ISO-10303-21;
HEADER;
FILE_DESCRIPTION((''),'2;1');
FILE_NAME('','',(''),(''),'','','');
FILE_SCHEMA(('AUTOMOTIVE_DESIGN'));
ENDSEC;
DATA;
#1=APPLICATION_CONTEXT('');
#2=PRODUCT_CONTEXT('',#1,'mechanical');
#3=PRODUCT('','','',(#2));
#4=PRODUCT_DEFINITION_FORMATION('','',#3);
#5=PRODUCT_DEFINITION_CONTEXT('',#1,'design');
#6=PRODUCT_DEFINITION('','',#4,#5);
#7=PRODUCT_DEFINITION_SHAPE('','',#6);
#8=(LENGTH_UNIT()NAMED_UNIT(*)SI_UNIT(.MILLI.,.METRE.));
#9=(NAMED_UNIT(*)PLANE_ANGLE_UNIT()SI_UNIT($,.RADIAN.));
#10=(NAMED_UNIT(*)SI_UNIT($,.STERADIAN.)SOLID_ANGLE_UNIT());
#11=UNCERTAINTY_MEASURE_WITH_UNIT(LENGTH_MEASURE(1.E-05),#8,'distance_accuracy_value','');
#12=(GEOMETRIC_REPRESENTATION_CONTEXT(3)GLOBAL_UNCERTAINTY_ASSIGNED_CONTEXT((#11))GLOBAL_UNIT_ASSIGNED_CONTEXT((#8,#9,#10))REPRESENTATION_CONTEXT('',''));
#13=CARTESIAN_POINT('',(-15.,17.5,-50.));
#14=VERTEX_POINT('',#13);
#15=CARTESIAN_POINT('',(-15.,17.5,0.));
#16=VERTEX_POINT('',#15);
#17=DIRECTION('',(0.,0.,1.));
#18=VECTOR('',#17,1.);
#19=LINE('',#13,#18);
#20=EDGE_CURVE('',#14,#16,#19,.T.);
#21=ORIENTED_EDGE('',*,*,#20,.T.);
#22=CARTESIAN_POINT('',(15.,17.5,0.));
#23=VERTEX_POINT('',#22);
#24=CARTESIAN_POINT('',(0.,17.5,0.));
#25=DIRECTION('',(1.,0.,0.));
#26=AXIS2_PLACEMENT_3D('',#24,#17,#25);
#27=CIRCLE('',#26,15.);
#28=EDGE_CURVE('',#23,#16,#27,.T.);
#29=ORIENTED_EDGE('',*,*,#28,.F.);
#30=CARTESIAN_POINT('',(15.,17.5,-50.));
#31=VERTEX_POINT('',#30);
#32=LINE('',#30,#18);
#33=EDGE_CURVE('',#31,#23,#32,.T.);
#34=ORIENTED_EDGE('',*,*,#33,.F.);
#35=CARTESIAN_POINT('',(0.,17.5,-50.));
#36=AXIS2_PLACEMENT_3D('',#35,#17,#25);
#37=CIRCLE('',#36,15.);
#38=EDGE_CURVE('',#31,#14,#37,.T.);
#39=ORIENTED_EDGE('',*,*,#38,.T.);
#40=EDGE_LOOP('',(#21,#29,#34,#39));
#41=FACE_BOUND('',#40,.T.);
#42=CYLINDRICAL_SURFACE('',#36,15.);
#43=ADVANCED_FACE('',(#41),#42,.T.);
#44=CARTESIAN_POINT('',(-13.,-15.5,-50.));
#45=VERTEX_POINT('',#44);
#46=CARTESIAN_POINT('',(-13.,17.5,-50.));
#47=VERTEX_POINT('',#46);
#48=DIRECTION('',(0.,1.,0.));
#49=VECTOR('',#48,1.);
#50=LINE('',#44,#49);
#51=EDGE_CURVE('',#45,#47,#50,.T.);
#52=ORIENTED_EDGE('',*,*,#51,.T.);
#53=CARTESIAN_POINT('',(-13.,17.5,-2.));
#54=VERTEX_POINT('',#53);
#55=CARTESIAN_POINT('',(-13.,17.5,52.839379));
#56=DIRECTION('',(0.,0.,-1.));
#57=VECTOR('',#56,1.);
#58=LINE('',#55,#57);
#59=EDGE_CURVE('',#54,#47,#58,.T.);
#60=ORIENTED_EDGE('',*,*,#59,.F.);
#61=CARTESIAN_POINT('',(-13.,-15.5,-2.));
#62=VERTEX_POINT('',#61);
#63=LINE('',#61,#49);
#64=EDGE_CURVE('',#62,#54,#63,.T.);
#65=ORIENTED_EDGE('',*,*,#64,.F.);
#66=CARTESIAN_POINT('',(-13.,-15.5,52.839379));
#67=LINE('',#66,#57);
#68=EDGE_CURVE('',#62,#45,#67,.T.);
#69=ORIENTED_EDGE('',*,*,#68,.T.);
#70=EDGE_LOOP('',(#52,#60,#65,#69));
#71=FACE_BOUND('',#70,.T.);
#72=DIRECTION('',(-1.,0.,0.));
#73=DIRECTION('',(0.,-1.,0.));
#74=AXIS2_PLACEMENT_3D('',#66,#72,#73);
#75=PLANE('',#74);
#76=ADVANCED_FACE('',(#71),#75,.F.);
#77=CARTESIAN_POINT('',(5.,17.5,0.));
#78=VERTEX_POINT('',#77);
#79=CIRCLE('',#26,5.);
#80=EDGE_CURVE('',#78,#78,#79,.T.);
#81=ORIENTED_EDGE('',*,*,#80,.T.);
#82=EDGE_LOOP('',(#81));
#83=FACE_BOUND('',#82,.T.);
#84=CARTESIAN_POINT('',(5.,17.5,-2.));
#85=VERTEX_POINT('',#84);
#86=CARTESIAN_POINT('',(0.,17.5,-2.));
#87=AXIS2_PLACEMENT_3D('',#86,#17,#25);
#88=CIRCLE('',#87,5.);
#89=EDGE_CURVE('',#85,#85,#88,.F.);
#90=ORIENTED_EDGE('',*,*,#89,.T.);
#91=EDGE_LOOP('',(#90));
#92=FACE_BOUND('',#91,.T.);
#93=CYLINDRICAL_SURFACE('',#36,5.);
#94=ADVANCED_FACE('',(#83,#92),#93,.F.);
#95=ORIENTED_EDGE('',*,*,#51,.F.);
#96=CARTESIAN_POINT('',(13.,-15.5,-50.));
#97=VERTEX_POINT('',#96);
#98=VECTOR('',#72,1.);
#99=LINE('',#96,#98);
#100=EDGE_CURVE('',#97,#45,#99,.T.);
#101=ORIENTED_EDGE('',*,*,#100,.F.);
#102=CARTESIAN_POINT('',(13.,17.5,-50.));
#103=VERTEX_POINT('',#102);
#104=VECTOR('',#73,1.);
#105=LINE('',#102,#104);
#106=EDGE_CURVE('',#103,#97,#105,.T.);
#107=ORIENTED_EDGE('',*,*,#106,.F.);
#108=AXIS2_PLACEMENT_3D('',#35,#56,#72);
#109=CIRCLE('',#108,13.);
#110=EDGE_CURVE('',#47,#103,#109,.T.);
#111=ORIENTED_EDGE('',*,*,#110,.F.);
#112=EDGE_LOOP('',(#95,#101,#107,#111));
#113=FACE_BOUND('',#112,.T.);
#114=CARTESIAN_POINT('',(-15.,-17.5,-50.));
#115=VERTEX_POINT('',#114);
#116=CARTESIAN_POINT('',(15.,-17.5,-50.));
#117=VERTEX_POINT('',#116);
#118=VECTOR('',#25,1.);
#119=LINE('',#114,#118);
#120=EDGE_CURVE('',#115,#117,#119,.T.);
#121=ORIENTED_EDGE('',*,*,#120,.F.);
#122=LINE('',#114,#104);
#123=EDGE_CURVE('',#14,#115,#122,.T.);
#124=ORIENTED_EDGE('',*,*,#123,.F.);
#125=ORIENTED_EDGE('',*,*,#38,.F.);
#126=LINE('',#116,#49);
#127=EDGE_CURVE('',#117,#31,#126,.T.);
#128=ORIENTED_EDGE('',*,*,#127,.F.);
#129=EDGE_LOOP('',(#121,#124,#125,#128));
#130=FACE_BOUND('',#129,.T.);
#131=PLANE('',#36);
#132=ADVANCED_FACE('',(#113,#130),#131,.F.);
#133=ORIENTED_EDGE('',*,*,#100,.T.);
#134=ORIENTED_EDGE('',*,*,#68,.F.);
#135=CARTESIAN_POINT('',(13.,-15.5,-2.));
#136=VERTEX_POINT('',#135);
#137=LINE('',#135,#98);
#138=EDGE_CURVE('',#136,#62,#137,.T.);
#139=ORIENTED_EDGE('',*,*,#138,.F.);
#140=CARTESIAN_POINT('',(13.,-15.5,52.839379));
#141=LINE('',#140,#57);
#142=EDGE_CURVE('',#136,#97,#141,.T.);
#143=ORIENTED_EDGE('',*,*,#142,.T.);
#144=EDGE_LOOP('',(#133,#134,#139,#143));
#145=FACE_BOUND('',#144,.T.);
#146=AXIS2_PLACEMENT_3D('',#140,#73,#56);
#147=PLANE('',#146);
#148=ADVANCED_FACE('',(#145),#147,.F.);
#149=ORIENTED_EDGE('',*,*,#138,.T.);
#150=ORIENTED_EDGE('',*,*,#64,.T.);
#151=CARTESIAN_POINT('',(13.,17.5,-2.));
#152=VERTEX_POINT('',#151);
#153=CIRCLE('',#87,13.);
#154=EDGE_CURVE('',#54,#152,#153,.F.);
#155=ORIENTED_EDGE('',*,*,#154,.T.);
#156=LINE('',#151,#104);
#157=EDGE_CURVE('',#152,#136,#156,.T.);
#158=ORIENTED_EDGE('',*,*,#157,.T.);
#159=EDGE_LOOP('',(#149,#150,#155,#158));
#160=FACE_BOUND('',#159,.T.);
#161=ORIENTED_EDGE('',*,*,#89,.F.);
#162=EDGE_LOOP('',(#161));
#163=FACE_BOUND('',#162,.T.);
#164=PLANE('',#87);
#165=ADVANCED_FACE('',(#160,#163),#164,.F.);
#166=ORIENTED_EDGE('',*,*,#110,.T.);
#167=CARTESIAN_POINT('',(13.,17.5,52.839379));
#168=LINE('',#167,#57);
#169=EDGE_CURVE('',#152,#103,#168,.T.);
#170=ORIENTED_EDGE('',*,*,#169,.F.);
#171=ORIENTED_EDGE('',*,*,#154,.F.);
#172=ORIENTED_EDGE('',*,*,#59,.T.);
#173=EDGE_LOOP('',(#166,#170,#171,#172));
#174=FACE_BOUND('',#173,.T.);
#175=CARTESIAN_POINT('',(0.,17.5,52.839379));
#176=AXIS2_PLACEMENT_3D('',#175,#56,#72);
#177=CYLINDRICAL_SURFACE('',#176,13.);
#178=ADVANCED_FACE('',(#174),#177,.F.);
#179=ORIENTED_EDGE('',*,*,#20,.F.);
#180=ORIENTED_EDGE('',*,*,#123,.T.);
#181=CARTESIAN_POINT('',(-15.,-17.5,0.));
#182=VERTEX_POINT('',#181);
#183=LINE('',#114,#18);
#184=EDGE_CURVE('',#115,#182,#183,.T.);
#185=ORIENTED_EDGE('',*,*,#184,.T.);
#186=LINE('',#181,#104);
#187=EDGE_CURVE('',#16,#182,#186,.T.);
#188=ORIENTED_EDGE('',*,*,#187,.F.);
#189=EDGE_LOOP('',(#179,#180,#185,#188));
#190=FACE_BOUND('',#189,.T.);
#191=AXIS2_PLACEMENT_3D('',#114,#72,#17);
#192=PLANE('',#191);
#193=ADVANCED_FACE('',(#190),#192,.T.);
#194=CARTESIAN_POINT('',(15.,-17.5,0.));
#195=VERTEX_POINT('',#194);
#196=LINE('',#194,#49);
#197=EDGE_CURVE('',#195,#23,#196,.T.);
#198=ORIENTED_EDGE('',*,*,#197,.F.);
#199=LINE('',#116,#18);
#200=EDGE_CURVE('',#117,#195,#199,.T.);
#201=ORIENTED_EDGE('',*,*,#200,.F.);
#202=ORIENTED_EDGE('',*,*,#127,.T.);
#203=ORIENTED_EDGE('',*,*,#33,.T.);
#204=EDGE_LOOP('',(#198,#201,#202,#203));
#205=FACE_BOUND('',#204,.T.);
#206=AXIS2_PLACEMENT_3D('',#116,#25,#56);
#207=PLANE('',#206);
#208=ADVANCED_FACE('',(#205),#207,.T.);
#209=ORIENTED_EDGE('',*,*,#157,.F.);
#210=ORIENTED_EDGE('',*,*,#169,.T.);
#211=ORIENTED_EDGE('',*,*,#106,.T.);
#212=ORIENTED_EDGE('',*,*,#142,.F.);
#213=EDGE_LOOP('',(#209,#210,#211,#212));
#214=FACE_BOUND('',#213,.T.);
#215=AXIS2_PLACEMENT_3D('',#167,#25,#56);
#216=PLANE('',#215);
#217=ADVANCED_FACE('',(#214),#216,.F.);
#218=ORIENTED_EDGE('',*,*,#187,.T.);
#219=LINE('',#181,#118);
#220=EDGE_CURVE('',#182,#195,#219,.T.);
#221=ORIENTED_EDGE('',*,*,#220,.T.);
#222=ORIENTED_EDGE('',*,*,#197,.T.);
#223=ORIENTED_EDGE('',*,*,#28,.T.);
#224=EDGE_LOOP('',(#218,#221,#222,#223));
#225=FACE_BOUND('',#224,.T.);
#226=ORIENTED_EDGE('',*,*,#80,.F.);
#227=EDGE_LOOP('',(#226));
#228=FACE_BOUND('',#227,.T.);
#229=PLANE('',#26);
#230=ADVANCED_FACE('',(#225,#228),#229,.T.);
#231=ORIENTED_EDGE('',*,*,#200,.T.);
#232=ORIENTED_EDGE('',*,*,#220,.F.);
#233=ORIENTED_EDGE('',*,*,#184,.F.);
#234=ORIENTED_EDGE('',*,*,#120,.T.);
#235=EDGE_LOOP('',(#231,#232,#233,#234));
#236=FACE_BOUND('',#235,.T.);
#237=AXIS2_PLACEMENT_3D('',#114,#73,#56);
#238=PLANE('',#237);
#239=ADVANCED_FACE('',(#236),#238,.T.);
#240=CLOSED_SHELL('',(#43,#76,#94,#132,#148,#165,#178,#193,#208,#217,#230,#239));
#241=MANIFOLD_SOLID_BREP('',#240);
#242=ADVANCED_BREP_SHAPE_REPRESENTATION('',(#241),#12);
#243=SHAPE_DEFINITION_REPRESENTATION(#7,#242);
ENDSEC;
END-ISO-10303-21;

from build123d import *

# Parameters (mm, degrees)
ESQUISSE1_R             = 5
BOSS_EXTRU_1_DEPTH      = 50
ENL_V_MAT_EXTRU_2_DEPTH = 48


with BuildPart() as part:
    # Esquisse1 → Boss.-Extru.1 (new body)
    with BuildSketch(Plane.XY):
        with BuildLine():
            Line((-15, -17.5), (15, -17.5))
            Line((15, -17.5), (15, 17.5))
            ThreePointArc((15, 17.5), (0, 32.5), (-15, 17.5))
            Line((-15, 17.5), (-15, -17.5))
        make_face()
        with Locations((0, 17.5)):
            Circle(ESQUISSE1_R, mode=Mode.SUBTRACT)
    extrude(amount=-BOSS_EXTRU_1_DEPTH)

    # Esquisse2 → Enlèv. mat.-Extru.2 (cut)
    with BuildSketch(Plane(origin=(0, 0, -50), x_dir=(-1, 0, 0), z_dir=(0, 0, -1))):
        with BuildLine():
            Line((-13, 17.5), (-13, -15.5))
            Line((-13, -15.5), (13, -15.5))
            Line((13, -15.5), (13, 17.5))
            ThreePointArc((13, 17.5), (0, 30.5), (-13, 17.5))
        make_face()
    extrude(amount=-ENL_V_MAT_EXTRU_2_DEPTH, mode=Mode.SUBTRACT)


solid = part.part
